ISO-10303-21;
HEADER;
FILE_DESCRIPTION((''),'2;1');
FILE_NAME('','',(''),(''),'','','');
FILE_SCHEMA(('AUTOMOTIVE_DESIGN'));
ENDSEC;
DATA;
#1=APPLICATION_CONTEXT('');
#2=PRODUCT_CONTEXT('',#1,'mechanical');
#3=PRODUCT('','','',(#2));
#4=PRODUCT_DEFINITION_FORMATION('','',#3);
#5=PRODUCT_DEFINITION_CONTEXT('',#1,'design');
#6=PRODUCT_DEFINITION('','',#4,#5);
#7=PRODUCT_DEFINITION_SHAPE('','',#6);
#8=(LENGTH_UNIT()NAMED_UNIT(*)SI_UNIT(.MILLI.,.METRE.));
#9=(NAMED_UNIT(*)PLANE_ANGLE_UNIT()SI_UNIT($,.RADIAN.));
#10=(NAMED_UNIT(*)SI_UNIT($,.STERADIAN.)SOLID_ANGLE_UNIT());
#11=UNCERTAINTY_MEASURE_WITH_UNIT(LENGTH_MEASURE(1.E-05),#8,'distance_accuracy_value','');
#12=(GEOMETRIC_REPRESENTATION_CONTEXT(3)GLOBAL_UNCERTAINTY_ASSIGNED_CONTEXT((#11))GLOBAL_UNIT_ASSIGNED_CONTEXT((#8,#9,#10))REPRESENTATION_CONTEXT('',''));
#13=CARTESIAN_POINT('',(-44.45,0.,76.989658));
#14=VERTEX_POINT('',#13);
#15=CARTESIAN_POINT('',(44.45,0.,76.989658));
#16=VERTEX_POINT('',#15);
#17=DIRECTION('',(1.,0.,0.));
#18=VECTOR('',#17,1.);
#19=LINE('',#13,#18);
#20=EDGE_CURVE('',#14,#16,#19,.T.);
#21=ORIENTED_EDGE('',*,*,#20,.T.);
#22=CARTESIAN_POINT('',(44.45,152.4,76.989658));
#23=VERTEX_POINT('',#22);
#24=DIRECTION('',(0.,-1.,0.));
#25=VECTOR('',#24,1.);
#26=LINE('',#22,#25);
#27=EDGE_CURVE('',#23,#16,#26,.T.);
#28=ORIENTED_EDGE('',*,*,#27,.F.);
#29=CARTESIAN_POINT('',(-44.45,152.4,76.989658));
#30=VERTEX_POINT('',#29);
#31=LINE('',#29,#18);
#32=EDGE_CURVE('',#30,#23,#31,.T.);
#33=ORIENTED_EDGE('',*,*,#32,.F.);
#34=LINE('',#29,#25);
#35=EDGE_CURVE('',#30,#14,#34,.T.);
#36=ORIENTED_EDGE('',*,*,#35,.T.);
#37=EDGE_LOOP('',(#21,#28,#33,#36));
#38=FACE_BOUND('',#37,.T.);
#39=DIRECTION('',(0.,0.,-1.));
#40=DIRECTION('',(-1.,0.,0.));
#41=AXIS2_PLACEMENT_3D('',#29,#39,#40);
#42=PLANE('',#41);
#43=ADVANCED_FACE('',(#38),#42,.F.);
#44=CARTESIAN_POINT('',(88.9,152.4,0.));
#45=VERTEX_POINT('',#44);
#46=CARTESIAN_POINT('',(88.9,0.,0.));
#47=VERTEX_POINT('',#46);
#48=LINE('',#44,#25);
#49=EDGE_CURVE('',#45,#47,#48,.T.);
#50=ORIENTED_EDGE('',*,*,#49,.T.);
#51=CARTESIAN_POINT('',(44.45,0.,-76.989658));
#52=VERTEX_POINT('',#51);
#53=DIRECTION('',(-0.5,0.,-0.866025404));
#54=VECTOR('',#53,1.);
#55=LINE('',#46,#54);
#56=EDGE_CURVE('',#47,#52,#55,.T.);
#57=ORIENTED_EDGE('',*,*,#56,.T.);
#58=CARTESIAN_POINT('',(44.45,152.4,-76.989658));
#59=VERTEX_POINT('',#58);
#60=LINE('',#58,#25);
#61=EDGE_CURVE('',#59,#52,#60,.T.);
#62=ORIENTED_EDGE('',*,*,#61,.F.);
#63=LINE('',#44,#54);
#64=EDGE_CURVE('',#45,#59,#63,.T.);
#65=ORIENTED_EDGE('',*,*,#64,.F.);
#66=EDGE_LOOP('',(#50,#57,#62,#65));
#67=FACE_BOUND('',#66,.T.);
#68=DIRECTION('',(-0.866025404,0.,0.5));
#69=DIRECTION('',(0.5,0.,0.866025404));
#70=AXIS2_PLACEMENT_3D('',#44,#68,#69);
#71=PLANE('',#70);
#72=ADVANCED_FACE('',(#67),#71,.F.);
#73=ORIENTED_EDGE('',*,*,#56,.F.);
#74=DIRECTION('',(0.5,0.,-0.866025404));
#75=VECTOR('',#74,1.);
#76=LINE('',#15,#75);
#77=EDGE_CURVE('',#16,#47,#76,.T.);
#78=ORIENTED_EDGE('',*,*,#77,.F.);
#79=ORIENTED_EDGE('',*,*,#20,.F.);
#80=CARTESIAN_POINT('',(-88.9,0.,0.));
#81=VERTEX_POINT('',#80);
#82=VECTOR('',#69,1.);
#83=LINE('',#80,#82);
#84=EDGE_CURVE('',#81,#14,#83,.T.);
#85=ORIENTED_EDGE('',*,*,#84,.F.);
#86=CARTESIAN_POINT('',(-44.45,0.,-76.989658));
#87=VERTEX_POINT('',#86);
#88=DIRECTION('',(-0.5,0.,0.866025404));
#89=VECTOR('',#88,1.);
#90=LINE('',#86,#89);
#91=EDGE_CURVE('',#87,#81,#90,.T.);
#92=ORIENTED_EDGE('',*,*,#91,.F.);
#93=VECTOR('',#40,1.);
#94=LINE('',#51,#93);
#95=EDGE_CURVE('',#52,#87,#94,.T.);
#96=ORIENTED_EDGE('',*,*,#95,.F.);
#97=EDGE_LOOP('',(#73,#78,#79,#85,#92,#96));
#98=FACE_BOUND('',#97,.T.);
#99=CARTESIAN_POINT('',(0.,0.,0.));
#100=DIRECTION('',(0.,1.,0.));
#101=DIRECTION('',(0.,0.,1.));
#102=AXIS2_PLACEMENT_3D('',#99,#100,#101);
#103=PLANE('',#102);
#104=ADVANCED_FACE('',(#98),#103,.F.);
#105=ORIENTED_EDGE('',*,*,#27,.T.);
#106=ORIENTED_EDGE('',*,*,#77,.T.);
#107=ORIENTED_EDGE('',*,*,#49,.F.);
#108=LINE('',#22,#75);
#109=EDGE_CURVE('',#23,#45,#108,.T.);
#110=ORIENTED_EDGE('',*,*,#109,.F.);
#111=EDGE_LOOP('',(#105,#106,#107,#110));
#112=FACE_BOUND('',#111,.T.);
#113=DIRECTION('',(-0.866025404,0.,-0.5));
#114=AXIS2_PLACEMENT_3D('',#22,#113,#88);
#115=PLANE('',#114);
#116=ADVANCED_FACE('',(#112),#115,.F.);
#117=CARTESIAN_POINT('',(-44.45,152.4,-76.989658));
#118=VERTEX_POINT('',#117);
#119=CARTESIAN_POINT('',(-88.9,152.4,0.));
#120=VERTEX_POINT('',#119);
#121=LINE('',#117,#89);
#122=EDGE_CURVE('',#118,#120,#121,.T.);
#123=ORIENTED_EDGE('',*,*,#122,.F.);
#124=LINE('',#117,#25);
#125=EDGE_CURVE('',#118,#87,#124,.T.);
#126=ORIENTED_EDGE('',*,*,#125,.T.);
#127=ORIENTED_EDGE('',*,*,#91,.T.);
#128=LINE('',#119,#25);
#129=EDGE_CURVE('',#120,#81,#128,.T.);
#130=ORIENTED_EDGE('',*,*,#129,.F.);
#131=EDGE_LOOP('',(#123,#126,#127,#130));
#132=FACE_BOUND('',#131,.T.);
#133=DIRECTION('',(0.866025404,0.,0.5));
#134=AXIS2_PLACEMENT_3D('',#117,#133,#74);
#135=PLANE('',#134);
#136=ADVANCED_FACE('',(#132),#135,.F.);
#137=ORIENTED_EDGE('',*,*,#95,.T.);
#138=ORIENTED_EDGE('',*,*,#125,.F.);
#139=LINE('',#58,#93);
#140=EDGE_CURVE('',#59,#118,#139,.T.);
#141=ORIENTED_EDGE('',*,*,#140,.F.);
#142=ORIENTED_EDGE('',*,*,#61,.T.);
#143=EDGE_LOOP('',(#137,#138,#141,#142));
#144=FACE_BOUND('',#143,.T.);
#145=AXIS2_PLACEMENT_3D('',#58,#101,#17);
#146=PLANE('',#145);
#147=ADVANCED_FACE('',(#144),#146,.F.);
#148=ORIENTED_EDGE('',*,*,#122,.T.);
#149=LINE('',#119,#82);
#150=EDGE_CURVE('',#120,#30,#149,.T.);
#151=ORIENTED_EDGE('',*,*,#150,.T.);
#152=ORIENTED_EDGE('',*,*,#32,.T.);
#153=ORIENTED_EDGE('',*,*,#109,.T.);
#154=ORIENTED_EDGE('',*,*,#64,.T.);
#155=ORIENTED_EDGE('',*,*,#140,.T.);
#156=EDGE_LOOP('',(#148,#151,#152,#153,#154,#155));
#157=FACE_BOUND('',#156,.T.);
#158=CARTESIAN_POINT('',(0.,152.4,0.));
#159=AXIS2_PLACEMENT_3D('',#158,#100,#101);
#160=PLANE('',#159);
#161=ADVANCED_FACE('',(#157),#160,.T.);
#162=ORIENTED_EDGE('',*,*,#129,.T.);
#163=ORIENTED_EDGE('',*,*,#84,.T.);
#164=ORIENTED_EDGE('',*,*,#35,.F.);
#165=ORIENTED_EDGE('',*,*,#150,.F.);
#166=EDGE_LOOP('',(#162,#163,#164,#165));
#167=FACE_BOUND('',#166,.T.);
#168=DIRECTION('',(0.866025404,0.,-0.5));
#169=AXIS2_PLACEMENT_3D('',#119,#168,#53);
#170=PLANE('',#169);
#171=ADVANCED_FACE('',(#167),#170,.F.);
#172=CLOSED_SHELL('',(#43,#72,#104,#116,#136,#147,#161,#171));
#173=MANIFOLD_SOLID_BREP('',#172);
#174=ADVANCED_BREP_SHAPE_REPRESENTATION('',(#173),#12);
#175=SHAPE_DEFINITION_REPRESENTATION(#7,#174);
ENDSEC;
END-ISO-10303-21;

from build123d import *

# Parameters (mm, degrees)
BOSS_EXTRUDE1_DEPTH = 152.4


with BuildPart() as part:
    # Sketch1 → Boss-Extrude1 (new body)
    with BuildSketch(Plane(origin=(0, 0, 0), x_dir=(1, 0, 0), z_dir=(0, 1, 0))):
        Polygon((88.9, 0), (44.45, 76.989658396), (-44.45, 76.989658396), (-88.9, 0), (-44.45, -76.989658396), (44.45, -76.989658396), align=None)
    extrude(amount=BOSS_EXTRUDE1_DEPTH)


solid = part.part
